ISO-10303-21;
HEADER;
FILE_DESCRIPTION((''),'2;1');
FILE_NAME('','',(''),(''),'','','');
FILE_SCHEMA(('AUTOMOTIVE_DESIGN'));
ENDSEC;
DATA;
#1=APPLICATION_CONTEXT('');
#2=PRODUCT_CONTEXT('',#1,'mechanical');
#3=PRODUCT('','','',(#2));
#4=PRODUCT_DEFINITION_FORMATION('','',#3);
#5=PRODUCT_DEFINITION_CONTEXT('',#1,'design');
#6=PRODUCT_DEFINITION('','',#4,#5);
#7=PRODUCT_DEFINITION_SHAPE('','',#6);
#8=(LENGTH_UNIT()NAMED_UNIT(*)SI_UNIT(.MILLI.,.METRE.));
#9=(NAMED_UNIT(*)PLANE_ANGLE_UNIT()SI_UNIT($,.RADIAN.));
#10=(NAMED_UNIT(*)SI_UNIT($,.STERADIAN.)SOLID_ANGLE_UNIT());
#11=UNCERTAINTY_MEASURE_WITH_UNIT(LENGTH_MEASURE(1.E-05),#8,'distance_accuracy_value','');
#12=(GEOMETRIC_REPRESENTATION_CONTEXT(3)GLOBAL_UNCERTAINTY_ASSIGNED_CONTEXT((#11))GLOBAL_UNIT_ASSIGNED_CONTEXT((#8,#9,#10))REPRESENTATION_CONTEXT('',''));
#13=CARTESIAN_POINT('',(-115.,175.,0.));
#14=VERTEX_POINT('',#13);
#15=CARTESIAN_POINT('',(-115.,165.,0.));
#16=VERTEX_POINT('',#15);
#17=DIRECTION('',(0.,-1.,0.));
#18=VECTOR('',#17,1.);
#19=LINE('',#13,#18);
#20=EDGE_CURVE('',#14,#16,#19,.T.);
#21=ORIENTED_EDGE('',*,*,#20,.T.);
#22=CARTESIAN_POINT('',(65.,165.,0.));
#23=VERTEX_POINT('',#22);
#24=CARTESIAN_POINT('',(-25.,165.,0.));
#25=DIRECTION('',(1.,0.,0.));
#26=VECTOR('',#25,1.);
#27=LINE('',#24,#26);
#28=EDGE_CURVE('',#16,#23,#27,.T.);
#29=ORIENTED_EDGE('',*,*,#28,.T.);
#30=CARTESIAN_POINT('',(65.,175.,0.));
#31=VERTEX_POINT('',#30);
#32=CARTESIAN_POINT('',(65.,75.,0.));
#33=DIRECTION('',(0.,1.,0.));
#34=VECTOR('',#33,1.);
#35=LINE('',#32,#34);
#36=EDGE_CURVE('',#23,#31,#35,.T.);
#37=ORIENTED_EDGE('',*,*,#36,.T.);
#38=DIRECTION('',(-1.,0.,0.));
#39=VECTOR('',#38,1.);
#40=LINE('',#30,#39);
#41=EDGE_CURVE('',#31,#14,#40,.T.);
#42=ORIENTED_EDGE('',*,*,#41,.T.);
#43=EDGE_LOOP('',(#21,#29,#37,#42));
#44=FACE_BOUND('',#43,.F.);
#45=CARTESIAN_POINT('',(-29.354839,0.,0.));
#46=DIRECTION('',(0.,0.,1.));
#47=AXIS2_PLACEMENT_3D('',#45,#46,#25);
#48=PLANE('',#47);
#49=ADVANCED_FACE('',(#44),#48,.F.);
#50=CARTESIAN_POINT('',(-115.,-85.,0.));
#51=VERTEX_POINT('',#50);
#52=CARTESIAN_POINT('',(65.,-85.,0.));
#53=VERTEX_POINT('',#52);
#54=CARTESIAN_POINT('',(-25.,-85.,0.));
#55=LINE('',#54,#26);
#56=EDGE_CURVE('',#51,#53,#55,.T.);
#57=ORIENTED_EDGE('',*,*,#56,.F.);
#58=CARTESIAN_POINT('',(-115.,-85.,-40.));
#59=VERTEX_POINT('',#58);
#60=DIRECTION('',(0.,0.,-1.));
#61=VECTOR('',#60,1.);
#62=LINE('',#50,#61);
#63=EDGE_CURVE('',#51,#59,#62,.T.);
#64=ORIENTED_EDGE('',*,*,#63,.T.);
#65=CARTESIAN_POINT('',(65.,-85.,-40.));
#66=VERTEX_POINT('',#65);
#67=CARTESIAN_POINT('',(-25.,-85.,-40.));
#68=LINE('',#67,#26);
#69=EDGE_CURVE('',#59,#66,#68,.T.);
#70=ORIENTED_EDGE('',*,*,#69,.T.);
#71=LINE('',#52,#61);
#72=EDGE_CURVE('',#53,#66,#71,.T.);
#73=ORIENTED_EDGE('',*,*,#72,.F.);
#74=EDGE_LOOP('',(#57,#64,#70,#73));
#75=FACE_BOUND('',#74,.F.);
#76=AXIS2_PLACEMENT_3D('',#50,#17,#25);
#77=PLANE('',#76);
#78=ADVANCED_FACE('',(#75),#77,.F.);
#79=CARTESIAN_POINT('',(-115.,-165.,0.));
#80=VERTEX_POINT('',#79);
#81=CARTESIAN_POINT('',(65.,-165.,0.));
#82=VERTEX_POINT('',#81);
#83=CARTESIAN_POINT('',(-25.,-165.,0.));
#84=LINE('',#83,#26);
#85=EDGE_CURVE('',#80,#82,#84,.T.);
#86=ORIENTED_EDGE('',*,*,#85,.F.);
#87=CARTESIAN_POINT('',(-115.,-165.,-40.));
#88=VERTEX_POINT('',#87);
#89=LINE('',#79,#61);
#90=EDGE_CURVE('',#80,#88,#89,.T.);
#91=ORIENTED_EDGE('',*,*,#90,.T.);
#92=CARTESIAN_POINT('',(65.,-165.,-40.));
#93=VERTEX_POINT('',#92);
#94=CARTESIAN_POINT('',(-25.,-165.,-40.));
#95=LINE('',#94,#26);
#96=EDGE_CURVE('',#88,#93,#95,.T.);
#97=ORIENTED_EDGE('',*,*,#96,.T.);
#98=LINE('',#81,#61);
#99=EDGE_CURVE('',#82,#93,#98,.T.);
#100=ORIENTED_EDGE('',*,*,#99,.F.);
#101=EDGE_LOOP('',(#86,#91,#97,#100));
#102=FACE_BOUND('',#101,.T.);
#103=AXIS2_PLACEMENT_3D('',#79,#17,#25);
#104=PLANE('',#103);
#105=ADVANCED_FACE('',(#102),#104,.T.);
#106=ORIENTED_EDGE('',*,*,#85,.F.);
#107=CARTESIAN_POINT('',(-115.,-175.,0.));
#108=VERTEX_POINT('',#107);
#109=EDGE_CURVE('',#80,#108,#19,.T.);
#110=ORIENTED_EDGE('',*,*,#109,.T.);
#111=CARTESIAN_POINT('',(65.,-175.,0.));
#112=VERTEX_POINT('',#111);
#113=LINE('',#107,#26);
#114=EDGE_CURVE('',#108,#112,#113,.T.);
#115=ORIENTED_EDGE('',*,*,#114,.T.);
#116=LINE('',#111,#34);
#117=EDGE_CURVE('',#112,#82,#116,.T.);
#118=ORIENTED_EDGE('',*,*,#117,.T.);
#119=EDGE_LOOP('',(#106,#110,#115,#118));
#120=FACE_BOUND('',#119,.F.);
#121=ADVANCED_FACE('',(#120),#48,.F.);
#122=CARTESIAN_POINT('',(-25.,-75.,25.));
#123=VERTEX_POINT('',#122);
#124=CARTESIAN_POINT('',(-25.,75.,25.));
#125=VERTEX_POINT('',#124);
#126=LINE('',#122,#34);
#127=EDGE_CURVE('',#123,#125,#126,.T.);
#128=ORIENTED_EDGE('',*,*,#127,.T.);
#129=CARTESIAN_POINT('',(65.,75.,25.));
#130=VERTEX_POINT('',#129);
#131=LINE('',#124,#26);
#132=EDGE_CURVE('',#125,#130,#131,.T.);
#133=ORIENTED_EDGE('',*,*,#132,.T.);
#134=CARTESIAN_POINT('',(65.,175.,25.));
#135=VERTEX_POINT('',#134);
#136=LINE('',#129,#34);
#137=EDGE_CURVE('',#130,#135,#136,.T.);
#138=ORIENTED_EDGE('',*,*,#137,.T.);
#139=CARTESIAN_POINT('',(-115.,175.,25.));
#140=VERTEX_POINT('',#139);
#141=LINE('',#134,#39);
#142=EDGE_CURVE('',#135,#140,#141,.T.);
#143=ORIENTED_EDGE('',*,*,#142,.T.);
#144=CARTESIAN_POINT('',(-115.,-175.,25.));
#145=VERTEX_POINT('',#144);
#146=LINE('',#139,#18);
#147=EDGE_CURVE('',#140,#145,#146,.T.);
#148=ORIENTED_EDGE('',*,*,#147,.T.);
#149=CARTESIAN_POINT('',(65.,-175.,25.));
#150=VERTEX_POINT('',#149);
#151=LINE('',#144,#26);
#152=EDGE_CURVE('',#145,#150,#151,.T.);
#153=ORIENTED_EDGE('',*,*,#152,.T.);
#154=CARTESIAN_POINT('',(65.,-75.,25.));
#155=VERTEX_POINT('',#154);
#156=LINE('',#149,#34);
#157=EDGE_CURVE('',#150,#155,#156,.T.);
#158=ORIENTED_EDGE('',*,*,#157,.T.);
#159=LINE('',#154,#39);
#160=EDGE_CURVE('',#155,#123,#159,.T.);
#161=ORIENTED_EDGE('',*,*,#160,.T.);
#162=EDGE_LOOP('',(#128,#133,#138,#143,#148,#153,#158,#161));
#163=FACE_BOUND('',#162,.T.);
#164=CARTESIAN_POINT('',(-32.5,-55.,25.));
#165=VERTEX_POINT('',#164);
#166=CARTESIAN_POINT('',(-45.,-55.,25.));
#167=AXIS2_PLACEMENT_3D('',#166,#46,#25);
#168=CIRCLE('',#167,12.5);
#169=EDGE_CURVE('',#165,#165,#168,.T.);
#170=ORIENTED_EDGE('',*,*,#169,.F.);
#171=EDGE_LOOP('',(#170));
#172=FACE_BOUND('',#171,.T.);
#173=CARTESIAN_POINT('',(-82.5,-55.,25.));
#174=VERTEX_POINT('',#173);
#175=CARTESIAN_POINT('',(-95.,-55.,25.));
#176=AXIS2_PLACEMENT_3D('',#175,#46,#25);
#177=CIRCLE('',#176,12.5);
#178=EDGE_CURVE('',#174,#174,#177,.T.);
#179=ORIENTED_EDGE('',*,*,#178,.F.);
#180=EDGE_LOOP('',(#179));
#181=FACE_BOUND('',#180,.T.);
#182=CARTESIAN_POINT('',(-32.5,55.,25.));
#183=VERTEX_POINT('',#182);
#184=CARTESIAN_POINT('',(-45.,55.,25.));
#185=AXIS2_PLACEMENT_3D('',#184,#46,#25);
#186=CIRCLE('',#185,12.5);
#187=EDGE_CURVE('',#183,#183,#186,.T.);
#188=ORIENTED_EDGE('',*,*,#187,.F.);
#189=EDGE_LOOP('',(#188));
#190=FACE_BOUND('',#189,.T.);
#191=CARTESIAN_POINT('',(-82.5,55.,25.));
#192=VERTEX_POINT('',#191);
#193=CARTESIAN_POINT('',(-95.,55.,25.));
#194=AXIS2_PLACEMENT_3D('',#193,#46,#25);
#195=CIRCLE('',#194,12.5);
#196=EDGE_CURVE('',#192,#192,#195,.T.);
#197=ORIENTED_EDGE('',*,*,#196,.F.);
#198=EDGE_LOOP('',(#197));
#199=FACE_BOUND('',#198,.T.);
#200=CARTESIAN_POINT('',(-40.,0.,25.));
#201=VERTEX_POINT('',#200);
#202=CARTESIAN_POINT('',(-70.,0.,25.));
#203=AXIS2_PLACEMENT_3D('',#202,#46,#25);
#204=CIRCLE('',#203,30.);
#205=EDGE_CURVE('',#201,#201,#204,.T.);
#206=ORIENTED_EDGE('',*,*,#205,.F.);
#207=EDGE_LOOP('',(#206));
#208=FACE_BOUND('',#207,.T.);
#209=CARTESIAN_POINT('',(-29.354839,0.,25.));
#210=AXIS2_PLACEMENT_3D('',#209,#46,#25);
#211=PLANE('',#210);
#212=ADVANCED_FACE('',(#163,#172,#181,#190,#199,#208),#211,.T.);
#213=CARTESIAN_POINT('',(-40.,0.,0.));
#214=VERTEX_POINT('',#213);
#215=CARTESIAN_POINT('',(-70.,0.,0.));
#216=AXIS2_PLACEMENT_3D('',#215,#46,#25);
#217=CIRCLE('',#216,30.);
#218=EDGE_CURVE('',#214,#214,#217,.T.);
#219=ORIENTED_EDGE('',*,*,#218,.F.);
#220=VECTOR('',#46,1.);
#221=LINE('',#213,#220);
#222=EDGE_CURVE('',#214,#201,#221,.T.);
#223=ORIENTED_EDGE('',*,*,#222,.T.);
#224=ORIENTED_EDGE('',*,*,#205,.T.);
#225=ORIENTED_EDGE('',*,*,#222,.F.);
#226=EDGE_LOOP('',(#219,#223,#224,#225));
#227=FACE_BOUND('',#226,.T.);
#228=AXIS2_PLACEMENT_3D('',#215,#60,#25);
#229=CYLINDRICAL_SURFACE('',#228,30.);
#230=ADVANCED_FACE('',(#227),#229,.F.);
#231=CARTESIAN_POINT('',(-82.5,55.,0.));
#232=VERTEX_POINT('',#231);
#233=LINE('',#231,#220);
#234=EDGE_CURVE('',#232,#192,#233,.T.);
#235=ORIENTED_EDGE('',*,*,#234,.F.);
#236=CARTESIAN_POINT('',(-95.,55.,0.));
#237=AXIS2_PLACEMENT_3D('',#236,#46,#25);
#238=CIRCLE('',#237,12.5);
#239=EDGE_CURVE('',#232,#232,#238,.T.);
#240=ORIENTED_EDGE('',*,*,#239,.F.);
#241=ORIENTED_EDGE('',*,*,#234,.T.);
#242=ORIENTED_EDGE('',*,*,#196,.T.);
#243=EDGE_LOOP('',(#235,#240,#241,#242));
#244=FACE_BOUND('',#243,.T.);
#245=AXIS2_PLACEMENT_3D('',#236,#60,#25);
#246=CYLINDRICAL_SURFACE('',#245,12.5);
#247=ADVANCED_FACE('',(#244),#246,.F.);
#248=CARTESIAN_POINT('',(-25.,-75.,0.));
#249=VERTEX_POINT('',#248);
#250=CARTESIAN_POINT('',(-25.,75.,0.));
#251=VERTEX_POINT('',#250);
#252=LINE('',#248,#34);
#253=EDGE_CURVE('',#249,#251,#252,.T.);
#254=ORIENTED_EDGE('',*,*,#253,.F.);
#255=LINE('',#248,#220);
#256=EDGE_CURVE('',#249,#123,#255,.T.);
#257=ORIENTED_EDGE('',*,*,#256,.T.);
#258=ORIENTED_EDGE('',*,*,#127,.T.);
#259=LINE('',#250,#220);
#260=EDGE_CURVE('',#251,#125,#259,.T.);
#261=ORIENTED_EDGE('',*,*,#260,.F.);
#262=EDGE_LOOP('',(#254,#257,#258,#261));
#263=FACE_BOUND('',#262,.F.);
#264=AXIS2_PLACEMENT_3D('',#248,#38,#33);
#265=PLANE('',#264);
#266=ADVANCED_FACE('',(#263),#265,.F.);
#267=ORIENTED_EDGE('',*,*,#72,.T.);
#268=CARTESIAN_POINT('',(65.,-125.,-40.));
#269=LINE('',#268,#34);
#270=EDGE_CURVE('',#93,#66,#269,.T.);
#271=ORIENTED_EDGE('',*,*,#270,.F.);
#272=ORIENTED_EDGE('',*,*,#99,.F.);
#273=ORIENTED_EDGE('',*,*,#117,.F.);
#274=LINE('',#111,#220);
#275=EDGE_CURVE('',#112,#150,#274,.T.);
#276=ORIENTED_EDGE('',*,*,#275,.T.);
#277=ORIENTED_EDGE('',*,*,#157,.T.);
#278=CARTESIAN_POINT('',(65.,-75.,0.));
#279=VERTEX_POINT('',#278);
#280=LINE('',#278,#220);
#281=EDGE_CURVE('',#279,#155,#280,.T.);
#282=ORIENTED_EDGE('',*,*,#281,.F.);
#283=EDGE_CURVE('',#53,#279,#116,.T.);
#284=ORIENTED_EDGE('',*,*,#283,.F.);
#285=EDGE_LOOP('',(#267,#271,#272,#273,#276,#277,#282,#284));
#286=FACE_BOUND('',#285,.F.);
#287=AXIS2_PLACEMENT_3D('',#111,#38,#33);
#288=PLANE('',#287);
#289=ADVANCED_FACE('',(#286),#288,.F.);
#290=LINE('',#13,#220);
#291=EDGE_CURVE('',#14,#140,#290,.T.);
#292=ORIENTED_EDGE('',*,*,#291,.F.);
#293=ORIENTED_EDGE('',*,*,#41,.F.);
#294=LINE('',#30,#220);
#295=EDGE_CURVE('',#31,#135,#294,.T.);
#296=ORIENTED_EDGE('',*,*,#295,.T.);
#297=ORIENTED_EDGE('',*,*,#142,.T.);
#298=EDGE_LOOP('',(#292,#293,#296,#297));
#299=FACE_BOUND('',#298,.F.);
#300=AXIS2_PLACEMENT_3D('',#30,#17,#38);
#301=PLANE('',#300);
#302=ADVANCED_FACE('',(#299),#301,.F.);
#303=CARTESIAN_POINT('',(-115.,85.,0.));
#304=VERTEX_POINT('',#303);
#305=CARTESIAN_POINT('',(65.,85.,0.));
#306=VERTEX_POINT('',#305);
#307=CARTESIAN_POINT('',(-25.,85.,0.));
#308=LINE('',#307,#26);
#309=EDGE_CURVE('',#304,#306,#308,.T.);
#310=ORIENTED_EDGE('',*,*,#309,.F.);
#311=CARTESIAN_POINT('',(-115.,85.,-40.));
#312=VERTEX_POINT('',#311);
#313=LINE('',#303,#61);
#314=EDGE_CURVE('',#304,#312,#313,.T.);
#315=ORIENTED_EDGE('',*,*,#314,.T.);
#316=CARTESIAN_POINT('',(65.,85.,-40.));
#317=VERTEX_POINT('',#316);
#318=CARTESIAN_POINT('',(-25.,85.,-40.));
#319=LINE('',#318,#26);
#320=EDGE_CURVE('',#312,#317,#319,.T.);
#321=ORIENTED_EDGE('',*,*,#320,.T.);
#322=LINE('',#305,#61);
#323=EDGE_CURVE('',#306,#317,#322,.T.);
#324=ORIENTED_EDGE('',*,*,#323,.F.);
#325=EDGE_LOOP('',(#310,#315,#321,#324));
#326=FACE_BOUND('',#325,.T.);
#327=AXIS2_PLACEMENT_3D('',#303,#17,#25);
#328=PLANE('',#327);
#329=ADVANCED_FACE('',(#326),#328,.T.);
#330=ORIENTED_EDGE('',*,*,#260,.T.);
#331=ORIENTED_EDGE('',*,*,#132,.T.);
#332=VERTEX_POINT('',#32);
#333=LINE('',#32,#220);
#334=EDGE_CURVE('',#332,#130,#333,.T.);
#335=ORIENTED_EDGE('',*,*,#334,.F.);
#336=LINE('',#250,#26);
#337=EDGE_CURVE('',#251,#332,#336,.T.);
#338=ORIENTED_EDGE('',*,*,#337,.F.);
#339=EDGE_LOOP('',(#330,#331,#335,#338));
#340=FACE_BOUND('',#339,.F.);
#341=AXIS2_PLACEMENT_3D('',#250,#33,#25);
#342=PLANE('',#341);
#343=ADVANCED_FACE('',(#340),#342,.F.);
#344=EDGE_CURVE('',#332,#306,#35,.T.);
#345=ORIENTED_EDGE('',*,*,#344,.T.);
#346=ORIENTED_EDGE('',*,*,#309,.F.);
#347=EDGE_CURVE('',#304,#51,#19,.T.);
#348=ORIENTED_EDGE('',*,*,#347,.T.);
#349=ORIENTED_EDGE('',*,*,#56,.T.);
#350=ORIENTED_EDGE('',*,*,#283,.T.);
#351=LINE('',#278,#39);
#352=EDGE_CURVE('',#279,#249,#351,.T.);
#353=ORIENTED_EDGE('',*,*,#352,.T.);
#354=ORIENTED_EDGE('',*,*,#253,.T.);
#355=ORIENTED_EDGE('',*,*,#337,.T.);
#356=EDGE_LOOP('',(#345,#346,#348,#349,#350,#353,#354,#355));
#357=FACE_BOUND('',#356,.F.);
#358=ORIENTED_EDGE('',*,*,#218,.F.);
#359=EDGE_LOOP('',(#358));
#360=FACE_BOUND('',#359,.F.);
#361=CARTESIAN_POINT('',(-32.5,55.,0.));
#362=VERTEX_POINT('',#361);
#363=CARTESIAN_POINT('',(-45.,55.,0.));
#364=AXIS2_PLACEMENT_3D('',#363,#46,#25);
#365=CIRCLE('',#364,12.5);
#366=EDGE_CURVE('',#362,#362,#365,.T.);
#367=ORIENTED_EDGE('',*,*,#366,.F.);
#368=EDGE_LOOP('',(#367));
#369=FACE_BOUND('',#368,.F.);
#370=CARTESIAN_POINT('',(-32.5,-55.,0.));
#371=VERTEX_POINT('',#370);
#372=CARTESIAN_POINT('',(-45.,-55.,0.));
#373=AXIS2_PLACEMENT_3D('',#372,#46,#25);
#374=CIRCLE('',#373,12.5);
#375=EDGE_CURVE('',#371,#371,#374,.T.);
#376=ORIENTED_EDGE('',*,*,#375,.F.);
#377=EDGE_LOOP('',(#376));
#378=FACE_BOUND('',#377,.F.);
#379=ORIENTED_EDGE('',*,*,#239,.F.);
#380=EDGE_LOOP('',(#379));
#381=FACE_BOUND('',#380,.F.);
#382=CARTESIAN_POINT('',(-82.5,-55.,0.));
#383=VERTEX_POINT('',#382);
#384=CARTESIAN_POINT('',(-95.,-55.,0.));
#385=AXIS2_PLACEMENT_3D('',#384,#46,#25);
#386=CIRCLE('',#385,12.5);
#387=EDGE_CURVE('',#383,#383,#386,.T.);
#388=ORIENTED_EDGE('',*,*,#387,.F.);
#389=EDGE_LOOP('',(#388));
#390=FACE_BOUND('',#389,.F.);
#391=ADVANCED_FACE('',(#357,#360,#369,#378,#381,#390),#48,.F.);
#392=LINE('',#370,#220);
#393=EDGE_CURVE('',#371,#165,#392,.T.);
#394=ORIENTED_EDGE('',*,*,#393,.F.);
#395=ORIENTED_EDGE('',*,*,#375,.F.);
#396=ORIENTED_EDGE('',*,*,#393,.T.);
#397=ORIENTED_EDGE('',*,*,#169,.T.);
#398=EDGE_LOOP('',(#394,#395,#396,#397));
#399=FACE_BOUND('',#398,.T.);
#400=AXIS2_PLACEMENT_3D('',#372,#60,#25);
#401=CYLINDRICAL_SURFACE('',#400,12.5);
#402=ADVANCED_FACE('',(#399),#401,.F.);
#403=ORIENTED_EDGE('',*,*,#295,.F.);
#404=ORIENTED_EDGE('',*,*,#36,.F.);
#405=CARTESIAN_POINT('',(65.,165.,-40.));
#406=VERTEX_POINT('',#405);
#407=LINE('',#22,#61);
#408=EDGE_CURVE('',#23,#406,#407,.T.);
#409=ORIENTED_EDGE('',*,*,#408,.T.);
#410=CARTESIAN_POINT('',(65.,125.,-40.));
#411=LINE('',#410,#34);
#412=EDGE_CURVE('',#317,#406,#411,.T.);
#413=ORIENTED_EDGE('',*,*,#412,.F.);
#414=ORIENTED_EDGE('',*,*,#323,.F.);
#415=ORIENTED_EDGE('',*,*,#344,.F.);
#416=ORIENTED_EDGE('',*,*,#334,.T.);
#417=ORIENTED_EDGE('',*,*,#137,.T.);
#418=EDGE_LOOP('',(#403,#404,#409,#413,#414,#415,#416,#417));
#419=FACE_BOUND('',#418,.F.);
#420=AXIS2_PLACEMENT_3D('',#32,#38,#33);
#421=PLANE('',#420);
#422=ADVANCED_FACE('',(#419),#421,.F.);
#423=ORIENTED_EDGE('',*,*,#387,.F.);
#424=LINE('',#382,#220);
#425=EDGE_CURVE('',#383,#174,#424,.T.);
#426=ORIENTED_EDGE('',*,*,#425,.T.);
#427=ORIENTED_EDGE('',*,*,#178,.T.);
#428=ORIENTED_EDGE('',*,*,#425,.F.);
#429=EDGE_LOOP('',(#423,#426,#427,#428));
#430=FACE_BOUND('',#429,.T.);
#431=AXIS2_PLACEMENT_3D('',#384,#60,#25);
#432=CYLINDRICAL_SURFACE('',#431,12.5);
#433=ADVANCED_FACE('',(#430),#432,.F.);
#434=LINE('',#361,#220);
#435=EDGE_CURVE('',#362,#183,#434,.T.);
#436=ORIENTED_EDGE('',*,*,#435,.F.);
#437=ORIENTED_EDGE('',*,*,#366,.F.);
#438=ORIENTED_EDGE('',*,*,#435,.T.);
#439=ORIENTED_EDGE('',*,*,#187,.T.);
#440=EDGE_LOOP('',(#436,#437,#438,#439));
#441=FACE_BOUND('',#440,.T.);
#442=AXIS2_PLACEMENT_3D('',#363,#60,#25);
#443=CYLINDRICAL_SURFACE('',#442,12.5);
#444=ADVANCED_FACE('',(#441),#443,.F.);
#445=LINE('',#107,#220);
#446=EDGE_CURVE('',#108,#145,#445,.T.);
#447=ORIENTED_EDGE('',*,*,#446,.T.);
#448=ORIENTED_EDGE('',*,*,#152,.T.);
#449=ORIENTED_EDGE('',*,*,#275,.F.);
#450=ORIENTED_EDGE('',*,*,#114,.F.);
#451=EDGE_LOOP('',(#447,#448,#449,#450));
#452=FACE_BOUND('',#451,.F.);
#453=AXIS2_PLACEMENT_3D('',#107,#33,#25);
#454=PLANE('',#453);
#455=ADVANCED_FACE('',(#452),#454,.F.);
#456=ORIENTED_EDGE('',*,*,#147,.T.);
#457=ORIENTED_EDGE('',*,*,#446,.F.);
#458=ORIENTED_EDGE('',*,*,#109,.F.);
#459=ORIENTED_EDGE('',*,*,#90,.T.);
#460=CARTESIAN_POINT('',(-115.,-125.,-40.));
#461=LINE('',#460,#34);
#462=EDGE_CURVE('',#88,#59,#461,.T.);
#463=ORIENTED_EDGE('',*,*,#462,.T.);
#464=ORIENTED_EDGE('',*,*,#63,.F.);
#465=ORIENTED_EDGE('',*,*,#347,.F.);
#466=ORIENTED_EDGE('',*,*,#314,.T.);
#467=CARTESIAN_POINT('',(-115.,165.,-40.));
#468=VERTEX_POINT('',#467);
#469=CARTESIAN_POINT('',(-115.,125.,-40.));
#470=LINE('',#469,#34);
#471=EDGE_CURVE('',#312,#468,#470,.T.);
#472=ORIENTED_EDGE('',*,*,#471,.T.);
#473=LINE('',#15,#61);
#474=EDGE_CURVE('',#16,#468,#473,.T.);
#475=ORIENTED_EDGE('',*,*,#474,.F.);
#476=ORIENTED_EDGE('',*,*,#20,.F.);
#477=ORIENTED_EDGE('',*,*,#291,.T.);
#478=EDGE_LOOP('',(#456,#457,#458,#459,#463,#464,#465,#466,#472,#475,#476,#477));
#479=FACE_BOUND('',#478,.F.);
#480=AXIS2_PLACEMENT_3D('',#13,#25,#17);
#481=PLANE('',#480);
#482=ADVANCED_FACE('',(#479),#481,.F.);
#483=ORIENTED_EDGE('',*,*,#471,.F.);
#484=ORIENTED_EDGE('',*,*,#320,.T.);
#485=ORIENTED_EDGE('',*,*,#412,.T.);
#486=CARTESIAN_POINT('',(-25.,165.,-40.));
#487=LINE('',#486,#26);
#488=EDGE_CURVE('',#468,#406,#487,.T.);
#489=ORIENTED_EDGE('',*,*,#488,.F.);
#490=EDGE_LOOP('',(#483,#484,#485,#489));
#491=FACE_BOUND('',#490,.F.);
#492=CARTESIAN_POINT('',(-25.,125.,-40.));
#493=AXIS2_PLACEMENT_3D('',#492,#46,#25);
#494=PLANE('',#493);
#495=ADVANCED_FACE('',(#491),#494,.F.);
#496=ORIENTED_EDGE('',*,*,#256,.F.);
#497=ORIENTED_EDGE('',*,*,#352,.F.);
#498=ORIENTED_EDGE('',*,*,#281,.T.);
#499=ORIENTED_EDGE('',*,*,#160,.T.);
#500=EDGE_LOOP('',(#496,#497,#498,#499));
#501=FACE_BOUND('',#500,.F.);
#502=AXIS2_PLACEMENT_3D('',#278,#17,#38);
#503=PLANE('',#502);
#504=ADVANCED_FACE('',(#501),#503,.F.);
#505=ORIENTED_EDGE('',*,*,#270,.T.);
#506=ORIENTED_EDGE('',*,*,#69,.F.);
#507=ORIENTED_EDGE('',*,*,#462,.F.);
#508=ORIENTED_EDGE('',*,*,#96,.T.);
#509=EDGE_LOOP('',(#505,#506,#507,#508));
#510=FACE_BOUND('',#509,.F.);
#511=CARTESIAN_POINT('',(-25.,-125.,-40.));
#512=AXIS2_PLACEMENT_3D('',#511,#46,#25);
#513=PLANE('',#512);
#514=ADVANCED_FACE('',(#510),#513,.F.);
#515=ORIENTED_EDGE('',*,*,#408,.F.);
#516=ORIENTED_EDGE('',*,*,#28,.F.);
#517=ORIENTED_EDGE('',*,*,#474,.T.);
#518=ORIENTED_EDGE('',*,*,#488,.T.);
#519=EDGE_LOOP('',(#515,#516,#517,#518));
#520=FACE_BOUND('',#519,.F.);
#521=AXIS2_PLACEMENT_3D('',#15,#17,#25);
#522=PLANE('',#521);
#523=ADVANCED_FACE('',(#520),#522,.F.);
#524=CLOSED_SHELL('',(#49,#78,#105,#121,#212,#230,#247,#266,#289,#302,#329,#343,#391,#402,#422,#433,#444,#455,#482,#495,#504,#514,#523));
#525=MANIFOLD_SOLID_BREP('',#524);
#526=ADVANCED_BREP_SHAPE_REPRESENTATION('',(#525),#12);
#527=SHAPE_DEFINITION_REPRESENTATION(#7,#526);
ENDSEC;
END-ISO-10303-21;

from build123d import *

# Parameters (mm, degrees)
F0_R     = 12.5
F0_R_2   = 30
F1_DEPTH = 25
F2_W     = 180
F2_H     = 80
F3_DEPTH = 40


with BuildPart() as f1:
    # F0 (on Top) → F1 (new body)
    with BuildSketch(Plane.XY):
        Polygon((65, 75), (65, 175), (-115, 175), (-115, -175), (65, -175), (65, -75), (-25, -75), (-25, 0), (-25, 75), align=None)
        with Locations((-95, -55)):
            Circle(F0_R, mode=Mode.SUBTRACT)
        with Locations((-45, -55)):
            Circle(F0_R, mode=Mode.SUBTRACT)
        with Locations((-95, 55)):
            Circle(F0_R, mode=Mode.SUBTRACT)
        with Locations((-70, 0)):
            Circle(F0_R_2, mode=Mode.SUBTRACT)
        with Locations((-45, 55)):
            Circle(F0_R, mode=Mode.SUBTRACT)
    extrude(amount=F1_DEPTH)

    # F2 (on Top) → F3 (join)
    with BuildSketch(Plane.XY):
        with Locations((-25, -125)):
            Rectangle(F2_W, F2_H)
        with Locations((-25, 125)):
            Rectangle(F2_W, F2_H)
    extrude(amount=-F3_DEPTH)


solid = f1.part
